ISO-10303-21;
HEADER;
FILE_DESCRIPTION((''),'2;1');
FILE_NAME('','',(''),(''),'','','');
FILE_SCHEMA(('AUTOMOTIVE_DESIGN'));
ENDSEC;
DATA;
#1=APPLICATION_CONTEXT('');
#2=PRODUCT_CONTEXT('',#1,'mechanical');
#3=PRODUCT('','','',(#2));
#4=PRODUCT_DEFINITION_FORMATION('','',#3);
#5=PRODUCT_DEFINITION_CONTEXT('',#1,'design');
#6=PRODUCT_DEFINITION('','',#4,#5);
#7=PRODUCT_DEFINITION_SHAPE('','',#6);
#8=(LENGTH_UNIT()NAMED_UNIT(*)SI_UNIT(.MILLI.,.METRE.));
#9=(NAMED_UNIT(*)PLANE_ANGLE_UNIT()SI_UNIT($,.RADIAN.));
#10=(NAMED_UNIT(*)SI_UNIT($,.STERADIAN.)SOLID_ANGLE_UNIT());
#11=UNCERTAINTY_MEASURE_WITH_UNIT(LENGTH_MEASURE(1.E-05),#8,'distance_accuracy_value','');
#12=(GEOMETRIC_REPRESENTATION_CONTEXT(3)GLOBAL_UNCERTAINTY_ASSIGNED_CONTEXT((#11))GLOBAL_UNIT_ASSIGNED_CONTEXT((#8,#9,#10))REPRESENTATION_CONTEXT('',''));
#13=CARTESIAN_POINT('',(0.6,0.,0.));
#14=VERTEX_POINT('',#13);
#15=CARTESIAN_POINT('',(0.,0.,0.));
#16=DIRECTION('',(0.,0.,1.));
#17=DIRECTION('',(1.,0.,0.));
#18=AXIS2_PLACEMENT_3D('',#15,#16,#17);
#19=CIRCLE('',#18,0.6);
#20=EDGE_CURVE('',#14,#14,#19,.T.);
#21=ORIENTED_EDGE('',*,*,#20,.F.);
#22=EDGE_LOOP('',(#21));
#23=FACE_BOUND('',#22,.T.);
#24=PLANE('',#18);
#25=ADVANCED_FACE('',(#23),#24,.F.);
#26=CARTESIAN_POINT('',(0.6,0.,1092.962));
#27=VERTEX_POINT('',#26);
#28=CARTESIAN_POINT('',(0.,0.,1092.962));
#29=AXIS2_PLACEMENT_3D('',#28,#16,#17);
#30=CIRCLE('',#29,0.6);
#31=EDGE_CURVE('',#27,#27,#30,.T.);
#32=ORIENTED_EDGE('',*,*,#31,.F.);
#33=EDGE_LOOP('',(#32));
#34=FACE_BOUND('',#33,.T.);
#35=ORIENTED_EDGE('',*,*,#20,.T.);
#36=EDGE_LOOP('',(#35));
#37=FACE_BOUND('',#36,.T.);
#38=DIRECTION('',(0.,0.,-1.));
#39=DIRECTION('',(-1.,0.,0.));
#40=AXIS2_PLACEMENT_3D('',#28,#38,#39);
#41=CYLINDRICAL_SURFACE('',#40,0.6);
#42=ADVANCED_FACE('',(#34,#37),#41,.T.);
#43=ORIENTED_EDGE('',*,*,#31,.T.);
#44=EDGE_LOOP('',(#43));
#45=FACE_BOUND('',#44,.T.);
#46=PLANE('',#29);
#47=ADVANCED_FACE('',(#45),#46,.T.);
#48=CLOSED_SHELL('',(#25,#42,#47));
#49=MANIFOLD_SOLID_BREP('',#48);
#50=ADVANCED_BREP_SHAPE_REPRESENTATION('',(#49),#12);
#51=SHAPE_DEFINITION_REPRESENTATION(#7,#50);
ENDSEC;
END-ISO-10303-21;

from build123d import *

# Parameters (mm, degrees)
SKETCH_1_R      = 0.6
EXTRUDE_1_DEPTH = 1092.962


with BuildPart() as part:
    # 草图1 → 凸台-拉伸1 (new body)
    with BuildSketch(Plane.XY):
        Circle(SKETCH_1_R)
    extrude(amount=EXTRUDE_1_DEPTH)


solid = part.part
